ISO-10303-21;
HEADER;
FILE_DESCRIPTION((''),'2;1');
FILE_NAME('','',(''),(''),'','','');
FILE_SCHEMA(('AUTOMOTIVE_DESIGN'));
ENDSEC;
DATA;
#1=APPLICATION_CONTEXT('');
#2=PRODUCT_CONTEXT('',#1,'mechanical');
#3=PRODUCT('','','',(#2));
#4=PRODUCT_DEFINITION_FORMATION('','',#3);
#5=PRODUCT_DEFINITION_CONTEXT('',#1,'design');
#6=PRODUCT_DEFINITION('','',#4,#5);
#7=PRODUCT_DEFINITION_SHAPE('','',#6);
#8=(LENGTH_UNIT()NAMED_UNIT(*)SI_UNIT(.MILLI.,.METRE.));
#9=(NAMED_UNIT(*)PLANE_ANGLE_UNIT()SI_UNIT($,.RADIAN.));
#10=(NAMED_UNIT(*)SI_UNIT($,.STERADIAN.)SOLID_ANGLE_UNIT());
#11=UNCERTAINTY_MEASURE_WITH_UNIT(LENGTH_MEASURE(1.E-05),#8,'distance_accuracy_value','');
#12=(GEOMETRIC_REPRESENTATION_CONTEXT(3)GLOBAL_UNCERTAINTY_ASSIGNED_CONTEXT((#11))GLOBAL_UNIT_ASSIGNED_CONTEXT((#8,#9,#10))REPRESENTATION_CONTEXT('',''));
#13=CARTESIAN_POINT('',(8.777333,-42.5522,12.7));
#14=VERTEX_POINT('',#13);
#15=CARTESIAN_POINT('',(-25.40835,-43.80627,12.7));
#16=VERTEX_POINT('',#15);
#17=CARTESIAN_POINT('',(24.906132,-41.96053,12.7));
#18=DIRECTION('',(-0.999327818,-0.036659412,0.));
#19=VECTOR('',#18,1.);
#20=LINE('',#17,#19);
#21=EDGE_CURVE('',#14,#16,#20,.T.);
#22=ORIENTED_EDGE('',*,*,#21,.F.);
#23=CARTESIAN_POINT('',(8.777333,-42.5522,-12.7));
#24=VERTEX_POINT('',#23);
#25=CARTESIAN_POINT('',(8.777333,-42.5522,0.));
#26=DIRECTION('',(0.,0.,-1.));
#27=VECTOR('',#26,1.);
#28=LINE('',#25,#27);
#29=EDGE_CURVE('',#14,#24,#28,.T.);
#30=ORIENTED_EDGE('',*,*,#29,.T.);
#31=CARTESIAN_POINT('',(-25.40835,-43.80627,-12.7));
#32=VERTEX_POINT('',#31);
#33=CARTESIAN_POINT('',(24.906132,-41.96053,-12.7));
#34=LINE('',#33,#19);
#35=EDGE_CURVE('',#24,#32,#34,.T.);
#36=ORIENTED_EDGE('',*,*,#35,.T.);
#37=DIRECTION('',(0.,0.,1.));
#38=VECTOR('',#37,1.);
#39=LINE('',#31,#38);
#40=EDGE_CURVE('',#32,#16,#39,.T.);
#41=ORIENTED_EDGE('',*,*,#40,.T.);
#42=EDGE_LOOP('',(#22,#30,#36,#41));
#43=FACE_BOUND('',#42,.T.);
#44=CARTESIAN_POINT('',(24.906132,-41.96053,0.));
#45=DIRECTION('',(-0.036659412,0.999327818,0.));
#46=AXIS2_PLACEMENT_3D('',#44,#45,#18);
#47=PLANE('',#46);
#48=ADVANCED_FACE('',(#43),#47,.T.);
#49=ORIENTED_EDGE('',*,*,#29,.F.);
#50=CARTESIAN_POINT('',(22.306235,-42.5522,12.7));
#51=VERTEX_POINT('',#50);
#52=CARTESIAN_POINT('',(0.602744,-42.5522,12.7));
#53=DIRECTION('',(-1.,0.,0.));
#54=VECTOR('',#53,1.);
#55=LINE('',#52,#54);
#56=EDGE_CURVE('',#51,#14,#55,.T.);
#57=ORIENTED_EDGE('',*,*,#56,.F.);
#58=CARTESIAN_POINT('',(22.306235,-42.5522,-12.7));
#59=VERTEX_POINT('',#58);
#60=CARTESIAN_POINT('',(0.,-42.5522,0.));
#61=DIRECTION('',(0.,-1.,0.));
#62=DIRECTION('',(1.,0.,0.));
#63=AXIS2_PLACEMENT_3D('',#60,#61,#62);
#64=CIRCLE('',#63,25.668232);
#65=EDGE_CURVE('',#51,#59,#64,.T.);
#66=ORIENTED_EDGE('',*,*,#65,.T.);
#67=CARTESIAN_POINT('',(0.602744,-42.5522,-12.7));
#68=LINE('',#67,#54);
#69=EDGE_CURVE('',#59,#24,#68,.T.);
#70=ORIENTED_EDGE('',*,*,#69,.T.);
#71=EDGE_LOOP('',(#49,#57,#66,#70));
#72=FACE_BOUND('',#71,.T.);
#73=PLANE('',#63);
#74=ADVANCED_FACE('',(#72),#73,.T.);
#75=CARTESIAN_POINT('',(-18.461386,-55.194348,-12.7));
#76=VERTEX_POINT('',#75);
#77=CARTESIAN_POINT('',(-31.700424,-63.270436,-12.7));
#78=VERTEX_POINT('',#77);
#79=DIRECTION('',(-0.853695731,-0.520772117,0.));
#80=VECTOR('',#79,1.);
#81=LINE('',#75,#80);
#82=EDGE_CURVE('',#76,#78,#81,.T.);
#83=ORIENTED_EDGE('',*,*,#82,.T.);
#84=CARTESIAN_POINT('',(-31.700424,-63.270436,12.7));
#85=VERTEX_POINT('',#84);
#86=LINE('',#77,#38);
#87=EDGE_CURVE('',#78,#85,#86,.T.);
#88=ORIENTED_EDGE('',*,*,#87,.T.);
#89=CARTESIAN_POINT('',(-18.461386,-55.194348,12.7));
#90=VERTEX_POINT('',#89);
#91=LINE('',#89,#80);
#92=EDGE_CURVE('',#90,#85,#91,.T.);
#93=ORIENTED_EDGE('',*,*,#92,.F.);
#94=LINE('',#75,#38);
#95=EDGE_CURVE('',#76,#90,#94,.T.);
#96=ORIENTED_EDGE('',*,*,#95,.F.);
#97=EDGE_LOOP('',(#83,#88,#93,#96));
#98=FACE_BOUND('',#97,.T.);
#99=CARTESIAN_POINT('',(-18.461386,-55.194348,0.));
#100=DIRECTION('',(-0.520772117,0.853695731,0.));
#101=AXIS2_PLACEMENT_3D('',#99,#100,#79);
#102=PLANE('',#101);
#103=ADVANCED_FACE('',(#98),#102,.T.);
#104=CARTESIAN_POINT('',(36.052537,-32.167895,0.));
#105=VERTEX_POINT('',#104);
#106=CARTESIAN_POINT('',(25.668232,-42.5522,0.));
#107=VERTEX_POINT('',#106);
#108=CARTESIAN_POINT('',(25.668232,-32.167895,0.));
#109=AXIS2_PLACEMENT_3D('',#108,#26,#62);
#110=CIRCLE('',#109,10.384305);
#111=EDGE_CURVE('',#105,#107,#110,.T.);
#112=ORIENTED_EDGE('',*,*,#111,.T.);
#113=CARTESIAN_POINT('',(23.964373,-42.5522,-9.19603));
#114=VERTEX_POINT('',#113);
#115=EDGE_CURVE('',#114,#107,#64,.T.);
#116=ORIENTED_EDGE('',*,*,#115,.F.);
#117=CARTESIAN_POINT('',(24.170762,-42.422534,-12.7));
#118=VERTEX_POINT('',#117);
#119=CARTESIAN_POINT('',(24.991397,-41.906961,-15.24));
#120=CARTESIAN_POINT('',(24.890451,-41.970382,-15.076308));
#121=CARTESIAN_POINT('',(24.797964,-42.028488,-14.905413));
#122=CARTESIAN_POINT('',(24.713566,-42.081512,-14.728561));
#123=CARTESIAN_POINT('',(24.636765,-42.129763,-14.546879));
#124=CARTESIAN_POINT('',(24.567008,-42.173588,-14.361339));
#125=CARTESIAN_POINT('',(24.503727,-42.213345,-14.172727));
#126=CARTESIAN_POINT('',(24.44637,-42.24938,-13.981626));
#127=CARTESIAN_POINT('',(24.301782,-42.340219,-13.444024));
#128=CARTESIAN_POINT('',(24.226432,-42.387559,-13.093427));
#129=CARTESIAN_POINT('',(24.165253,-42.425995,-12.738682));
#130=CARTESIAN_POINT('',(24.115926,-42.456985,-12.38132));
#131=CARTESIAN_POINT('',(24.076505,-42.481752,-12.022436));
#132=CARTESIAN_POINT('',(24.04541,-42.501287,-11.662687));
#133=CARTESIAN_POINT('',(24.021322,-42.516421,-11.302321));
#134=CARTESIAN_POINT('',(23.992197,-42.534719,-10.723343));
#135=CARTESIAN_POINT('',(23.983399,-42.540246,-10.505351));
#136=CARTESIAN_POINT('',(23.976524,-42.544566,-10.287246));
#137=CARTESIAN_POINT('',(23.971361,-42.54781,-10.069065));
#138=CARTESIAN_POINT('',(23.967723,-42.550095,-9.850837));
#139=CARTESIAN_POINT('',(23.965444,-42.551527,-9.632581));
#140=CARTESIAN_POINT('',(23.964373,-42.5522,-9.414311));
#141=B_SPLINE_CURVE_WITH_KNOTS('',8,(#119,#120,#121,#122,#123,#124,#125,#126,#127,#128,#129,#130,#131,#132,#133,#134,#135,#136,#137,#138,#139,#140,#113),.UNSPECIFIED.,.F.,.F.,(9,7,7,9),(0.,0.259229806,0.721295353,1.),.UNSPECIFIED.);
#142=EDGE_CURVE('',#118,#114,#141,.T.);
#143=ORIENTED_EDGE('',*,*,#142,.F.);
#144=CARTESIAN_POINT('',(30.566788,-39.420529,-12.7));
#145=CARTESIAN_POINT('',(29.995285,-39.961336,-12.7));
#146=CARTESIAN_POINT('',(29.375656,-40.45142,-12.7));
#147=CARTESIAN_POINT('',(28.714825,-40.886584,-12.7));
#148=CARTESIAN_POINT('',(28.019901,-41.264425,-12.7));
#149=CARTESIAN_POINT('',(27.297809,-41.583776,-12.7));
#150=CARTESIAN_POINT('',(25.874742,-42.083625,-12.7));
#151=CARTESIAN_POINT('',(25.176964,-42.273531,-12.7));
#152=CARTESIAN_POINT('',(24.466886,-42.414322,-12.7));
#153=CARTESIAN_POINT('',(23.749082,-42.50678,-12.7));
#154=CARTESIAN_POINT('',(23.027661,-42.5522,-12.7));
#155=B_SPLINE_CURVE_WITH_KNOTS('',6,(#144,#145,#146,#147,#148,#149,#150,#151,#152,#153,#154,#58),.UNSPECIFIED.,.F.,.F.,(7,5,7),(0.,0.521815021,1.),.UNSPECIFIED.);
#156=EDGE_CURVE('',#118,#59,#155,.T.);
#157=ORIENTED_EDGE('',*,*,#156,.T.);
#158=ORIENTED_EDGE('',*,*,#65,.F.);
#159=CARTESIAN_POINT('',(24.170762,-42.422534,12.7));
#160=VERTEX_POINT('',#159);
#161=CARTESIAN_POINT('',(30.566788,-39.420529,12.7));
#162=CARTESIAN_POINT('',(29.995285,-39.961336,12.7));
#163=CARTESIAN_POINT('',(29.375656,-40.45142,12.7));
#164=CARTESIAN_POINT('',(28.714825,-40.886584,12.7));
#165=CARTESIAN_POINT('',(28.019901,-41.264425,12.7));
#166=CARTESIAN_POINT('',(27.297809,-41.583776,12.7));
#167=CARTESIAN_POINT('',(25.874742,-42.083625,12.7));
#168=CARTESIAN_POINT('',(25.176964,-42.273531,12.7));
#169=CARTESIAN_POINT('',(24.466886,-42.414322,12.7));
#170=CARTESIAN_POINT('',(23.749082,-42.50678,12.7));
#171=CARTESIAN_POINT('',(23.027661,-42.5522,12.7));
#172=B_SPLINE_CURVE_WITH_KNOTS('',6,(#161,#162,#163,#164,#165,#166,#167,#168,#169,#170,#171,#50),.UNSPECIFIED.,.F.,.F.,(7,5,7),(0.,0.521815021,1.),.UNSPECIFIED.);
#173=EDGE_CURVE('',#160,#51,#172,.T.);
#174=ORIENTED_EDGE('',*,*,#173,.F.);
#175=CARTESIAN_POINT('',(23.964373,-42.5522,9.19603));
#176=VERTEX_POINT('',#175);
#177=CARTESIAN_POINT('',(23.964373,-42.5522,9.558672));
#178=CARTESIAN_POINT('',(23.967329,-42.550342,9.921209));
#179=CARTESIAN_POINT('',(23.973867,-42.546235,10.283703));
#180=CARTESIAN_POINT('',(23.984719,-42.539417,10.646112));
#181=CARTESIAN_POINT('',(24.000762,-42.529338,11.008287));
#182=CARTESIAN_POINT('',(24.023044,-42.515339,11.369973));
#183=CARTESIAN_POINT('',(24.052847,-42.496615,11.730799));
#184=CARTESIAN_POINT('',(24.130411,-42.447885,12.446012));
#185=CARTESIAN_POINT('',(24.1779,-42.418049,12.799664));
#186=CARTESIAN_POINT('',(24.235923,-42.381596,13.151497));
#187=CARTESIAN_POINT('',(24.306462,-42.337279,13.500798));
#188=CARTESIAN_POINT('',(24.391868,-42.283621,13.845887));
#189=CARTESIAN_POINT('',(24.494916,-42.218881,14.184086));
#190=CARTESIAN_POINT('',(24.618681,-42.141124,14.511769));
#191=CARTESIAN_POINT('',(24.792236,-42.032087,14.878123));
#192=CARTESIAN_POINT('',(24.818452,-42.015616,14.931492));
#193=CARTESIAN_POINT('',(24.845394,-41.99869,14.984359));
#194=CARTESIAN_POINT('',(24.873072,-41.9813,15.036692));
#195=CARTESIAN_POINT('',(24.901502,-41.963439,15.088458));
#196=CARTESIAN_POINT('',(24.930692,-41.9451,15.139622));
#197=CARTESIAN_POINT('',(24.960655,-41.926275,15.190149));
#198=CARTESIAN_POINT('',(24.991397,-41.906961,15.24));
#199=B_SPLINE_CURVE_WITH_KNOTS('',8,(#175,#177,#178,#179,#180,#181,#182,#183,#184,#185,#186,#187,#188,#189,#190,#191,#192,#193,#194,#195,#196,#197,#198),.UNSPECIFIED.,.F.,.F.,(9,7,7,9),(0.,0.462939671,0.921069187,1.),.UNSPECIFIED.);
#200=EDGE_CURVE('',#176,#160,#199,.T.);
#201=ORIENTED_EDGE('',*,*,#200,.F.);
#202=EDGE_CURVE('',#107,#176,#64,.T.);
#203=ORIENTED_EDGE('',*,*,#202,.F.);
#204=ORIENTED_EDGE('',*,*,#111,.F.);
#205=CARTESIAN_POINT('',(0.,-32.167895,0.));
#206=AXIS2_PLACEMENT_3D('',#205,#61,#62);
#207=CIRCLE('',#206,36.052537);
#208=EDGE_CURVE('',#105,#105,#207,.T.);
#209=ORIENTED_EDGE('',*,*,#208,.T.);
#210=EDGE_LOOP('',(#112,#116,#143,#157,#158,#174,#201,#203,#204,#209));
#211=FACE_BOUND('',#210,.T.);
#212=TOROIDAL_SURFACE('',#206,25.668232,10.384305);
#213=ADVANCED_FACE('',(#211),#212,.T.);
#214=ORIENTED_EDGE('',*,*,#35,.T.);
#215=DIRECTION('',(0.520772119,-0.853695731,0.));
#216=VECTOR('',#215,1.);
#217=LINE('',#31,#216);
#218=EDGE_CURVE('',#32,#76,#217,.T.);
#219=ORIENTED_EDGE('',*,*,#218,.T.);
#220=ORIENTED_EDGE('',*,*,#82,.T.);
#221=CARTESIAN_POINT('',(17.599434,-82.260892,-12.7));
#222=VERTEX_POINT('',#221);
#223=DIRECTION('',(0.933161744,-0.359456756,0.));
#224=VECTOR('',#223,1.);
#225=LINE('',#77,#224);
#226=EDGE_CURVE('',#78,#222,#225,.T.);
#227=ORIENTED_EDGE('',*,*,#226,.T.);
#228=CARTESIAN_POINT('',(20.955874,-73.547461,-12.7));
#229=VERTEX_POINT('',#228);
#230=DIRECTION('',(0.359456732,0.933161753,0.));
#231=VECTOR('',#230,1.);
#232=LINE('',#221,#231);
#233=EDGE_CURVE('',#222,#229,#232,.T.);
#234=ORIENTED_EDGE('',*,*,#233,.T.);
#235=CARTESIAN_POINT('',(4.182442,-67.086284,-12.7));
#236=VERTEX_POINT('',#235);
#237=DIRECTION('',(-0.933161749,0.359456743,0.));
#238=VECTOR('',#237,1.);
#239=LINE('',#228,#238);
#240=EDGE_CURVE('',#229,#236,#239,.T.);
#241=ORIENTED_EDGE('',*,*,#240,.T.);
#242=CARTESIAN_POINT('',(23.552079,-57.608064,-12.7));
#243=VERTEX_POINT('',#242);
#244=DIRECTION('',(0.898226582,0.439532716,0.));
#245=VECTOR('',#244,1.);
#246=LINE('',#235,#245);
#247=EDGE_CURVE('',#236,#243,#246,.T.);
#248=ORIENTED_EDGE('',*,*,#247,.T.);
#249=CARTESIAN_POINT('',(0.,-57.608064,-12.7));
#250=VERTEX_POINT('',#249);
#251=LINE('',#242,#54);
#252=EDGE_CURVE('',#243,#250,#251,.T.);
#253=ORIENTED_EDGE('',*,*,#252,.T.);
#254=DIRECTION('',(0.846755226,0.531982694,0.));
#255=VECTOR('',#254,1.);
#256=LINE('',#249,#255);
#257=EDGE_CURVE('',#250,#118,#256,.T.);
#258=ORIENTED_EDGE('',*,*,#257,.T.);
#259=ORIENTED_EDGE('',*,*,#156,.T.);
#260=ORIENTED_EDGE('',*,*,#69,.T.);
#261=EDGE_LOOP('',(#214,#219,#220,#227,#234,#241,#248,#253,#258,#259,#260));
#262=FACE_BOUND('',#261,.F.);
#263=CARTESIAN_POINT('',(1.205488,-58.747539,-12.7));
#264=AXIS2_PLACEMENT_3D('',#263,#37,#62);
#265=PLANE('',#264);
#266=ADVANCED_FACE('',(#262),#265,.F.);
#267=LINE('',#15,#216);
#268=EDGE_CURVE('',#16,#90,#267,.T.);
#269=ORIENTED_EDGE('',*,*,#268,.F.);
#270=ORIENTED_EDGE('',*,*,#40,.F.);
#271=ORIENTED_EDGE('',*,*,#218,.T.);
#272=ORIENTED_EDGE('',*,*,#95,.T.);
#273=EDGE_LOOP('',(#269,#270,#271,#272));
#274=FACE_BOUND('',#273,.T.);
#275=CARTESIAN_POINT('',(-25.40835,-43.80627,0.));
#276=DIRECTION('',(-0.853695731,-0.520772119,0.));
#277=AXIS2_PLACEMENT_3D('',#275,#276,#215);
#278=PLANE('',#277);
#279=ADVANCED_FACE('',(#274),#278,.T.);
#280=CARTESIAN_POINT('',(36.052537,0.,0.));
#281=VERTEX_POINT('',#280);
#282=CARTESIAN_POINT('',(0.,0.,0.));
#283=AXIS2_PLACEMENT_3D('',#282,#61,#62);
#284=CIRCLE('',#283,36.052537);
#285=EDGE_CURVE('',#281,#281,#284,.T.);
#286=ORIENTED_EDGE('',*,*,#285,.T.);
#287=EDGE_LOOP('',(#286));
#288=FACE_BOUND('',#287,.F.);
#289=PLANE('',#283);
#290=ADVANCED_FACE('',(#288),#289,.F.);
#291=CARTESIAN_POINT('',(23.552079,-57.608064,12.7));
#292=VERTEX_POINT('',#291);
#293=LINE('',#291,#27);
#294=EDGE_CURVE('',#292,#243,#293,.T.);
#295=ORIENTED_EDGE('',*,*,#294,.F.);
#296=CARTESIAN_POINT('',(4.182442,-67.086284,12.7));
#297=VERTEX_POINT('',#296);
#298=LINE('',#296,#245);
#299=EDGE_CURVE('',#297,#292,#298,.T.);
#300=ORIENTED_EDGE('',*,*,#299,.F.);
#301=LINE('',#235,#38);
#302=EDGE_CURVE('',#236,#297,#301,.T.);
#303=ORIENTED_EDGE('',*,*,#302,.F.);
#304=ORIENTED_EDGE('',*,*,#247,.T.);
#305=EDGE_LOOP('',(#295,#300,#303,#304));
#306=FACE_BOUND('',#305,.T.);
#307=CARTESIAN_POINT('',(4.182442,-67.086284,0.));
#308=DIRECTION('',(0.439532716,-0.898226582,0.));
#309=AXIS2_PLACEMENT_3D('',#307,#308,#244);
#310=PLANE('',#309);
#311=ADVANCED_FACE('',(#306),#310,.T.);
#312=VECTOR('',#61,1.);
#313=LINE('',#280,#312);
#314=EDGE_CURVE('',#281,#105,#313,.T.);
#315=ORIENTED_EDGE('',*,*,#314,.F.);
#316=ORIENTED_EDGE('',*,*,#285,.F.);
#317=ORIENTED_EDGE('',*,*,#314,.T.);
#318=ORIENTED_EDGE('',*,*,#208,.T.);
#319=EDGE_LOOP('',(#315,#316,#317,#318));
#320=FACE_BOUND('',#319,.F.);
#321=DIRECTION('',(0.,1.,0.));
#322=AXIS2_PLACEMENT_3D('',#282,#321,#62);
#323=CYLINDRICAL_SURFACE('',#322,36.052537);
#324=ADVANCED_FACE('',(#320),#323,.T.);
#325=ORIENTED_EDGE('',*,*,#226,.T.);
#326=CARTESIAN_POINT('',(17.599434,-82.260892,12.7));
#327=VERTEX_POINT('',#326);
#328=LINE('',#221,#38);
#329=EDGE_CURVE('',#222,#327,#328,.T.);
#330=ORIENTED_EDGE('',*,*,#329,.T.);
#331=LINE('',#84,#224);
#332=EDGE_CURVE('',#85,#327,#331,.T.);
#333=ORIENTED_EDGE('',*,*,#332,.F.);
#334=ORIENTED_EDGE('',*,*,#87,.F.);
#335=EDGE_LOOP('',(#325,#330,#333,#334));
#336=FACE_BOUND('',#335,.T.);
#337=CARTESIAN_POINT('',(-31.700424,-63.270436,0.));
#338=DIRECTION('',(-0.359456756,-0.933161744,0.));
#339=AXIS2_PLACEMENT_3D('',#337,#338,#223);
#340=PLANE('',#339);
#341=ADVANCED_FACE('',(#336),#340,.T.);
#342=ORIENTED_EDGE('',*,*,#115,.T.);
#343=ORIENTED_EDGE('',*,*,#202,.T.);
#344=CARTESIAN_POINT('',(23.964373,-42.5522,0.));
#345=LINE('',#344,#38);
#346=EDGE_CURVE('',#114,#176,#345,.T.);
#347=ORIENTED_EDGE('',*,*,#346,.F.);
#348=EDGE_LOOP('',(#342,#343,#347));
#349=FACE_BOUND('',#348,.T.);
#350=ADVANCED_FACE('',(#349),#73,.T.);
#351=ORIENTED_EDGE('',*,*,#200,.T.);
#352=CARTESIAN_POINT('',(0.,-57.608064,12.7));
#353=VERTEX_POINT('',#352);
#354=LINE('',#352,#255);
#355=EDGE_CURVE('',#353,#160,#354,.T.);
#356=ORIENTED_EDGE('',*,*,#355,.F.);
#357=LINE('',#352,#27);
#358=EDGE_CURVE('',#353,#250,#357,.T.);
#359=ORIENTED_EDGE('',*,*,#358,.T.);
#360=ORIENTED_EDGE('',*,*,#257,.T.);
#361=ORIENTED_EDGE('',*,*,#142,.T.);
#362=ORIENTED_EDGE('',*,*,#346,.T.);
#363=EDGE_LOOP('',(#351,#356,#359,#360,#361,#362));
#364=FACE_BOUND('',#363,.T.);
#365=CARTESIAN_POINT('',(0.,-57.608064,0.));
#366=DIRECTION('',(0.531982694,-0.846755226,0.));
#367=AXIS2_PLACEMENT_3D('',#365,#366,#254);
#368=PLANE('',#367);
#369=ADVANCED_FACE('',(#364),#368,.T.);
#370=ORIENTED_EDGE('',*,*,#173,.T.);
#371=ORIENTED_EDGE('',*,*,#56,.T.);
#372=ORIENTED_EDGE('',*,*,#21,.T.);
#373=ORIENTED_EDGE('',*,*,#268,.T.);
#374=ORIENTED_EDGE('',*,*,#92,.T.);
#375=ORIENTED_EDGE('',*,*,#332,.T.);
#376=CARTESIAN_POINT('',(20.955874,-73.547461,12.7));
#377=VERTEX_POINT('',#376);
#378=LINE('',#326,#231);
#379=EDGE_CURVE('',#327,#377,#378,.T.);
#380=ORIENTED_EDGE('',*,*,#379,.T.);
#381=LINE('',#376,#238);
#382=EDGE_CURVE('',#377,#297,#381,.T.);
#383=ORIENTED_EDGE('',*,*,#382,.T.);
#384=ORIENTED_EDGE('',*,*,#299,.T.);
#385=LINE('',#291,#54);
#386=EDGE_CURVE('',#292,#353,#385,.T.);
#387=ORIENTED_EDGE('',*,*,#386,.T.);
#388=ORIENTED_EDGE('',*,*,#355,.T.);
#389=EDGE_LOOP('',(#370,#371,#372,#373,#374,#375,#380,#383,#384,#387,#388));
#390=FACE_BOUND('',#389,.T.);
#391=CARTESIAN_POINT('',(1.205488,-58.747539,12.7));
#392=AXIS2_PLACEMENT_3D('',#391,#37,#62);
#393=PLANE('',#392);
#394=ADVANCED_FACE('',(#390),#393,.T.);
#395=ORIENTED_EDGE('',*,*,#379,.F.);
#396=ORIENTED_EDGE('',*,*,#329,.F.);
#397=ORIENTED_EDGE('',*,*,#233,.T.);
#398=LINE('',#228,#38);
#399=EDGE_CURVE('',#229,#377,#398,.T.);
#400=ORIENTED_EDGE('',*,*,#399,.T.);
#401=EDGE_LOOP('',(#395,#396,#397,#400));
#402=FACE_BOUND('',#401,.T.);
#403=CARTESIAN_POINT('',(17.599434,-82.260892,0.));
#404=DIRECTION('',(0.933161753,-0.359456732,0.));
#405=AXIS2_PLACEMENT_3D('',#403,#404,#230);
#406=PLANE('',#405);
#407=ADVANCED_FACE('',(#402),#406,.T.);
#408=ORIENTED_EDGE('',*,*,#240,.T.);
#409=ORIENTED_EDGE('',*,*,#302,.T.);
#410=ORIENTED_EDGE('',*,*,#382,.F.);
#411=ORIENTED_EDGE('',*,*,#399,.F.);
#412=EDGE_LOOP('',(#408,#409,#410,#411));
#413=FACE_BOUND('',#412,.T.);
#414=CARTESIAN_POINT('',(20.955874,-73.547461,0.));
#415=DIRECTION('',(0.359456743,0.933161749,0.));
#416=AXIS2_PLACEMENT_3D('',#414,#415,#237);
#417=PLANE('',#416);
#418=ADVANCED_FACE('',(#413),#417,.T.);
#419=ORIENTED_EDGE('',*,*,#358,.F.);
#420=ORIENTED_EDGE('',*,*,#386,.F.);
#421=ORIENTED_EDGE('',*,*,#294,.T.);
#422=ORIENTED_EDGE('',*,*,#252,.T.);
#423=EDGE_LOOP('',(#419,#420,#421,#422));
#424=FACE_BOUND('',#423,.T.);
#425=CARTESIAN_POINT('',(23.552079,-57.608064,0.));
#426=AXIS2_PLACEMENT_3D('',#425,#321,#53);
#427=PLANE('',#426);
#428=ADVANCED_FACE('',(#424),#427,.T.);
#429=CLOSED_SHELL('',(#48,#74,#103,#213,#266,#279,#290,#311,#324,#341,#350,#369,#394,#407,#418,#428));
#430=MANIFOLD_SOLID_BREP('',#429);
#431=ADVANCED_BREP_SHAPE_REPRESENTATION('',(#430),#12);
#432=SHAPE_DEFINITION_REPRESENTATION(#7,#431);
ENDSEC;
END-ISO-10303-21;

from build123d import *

# Parameters (mm, degrees)
F0_R     = 36.052537
F1_DEPTH = 42.5522
F2_R     = 10.384305
F4_DEPTH = 12.7


with BuildPart() as f1:
    # F0 (on Front) → F1 (new body)
    with BuildSketch(Plane.XZ):
        Circle(F0_R)
    extrude(amount=F1_DEPTH)

    # F2
    f2_edges = [f1.edges().sort_by_distance(p)[0] for p in [
        (-36.052537, -42.5522, 0),
    ]]
    fillet(f2_edges, radius=F2_R)

    # F3 (on Top) → F4 (join, symmetric)
    with BuildSketch(Plane.XY):
        Polygon((24.906132, -41.96053), (-25.40835, -43.80627), (-18.461386, -55.194348), (-31.700424, -63.270436), (17.599434, -82.260892), (20.955874, -73.547461), (4.182442, -67.086284), (23.552079, -57.608064), (0, -57.608064), align=None)
    extrude(amount=F4_DEPTH, both=True)


solid = f1.part
